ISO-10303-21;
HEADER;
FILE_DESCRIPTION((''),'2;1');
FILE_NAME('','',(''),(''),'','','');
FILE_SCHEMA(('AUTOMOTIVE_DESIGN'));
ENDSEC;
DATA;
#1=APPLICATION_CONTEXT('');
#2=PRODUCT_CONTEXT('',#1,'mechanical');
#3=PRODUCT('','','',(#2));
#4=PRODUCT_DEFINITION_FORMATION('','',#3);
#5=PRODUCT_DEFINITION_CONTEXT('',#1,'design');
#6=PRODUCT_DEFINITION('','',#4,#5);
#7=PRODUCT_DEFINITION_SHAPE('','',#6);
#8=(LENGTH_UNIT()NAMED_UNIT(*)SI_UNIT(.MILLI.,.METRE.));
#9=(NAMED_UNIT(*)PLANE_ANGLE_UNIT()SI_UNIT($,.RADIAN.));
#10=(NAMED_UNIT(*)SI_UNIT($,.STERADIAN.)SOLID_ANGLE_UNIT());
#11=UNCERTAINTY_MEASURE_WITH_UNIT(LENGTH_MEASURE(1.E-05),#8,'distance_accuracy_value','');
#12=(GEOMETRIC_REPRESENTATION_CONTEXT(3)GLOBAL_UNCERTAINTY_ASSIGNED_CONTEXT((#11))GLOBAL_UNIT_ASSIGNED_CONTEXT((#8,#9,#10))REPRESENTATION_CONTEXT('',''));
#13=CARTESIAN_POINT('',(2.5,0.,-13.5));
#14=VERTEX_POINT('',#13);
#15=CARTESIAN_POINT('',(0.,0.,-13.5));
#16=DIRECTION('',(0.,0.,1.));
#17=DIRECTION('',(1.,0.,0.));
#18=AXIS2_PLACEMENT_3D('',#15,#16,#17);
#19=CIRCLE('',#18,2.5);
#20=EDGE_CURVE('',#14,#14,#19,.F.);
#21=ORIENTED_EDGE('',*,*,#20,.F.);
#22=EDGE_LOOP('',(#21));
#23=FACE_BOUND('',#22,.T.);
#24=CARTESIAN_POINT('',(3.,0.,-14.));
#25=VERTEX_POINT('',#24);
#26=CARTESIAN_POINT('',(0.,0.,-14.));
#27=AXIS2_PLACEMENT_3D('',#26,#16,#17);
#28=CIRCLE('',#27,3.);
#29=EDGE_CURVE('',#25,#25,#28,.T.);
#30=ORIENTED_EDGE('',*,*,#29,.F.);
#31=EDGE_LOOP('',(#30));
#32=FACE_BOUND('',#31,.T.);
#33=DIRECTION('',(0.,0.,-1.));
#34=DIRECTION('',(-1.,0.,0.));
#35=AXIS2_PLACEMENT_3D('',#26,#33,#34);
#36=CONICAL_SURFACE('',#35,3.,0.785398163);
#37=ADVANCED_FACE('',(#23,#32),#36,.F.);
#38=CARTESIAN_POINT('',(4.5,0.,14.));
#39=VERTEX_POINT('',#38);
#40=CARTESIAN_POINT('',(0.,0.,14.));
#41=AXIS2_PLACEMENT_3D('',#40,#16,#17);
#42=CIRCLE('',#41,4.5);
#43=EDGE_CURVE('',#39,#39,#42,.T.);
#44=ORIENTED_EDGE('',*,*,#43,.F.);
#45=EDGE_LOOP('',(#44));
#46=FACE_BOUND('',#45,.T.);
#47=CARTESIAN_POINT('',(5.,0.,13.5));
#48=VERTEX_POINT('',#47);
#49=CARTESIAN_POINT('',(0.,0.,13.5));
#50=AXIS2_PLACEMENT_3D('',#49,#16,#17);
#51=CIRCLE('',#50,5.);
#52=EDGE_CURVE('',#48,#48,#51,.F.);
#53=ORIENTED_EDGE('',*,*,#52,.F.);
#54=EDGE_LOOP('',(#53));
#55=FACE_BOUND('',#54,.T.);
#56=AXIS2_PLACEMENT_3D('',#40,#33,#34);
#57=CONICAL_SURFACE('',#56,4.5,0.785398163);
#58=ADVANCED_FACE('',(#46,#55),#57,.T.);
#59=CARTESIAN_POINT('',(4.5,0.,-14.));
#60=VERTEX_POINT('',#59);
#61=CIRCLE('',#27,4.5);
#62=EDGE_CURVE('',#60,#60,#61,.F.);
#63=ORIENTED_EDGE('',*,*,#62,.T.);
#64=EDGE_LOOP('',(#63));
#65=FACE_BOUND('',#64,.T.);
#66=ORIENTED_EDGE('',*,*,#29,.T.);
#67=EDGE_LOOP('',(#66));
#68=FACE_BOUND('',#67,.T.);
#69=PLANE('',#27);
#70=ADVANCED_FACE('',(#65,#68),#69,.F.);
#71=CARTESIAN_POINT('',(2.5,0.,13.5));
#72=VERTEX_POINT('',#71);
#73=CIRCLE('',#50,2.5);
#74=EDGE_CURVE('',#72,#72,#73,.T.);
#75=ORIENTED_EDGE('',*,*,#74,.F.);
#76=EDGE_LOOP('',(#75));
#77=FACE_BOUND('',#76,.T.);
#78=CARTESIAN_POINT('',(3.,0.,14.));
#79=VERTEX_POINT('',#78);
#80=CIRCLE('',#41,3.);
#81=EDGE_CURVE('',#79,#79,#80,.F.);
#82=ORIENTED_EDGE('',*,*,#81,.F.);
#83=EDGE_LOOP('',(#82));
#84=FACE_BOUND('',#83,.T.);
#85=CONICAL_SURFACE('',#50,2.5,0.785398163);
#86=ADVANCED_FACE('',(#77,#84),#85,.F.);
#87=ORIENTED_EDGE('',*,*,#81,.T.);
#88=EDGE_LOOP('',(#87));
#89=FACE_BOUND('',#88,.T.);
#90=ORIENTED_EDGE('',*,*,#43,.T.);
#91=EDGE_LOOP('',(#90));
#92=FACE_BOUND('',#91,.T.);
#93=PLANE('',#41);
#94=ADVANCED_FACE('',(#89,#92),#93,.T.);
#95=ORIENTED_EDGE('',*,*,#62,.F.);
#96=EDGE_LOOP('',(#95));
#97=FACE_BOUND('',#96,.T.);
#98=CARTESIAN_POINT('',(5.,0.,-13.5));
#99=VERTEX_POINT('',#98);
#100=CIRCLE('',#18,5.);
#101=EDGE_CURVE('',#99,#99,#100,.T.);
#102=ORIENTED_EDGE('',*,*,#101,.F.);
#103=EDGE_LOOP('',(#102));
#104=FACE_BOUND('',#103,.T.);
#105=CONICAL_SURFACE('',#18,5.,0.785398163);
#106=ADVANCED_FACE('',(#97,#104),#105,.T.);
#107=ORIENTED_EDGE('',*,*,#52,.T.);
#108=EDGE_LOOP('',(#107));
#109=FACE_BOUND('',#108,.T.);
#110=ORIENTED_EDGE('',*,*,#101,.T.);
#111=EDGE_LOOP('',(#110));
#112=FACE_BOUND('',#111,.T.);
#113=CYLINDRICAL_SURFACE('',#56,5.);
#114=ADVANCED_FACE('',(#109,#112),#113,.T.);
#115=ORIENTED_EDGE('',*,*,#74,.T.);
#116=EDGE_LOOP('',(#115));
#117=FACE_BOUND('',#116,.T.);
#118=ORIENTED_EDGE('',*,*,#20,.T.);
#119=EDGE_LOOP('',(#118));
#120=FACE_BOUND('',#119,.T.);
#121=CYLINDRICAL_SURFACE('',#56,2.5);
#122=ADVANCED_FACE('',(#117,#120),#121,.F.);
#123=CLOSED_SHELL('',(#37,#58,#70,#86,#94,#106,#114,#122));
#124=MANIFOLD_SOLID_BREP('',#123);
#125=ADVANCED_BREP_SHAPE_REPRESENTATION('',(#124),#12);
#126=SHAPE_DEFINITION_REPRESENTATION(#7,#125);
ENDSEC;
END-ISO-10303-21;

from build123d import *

# Parameters (mm, degrees)
SKETCH1_R           = 5
SKETCH1_R_2         = 2.5
BOSS_EXTRUDE1_DEPTH = 14
CHAMFER1_SIZE       = 0.5


with BuildPart() as part:
    # Sketch1 → Boss-Extrude1 (new, symmetric)
    with BuildSketch(Plane(origin=(0, 0, 0), x_dir=(0, 1, 0), z_dir=(0, 0, 1))):
        with Locations(Location((0, 0, 0), (0, 0, 270))):
            Circle(SKETCH1_R)
        with Locations(Location((0, 0, 0), (0, 0, 270))):
            Circle(SKETCH1_R_2, mode=Mode.SUBTRACT)
    extrude(amount=BOSS_EXTRUDE1_DEPTH, both=True)

    # Chamfer1
    chamfer1_edges = [part.edges().sort_by_distance(p)[0] for p in [
        (-5, 0, -14),
        (-5, 0, 14),
        (-2.5, 0, -14),
        (-2.5, 0, 14),
    ]]
    chamfer(chamfer1_edges, length=CHAMFER1_SIZE)


solid = part.part
